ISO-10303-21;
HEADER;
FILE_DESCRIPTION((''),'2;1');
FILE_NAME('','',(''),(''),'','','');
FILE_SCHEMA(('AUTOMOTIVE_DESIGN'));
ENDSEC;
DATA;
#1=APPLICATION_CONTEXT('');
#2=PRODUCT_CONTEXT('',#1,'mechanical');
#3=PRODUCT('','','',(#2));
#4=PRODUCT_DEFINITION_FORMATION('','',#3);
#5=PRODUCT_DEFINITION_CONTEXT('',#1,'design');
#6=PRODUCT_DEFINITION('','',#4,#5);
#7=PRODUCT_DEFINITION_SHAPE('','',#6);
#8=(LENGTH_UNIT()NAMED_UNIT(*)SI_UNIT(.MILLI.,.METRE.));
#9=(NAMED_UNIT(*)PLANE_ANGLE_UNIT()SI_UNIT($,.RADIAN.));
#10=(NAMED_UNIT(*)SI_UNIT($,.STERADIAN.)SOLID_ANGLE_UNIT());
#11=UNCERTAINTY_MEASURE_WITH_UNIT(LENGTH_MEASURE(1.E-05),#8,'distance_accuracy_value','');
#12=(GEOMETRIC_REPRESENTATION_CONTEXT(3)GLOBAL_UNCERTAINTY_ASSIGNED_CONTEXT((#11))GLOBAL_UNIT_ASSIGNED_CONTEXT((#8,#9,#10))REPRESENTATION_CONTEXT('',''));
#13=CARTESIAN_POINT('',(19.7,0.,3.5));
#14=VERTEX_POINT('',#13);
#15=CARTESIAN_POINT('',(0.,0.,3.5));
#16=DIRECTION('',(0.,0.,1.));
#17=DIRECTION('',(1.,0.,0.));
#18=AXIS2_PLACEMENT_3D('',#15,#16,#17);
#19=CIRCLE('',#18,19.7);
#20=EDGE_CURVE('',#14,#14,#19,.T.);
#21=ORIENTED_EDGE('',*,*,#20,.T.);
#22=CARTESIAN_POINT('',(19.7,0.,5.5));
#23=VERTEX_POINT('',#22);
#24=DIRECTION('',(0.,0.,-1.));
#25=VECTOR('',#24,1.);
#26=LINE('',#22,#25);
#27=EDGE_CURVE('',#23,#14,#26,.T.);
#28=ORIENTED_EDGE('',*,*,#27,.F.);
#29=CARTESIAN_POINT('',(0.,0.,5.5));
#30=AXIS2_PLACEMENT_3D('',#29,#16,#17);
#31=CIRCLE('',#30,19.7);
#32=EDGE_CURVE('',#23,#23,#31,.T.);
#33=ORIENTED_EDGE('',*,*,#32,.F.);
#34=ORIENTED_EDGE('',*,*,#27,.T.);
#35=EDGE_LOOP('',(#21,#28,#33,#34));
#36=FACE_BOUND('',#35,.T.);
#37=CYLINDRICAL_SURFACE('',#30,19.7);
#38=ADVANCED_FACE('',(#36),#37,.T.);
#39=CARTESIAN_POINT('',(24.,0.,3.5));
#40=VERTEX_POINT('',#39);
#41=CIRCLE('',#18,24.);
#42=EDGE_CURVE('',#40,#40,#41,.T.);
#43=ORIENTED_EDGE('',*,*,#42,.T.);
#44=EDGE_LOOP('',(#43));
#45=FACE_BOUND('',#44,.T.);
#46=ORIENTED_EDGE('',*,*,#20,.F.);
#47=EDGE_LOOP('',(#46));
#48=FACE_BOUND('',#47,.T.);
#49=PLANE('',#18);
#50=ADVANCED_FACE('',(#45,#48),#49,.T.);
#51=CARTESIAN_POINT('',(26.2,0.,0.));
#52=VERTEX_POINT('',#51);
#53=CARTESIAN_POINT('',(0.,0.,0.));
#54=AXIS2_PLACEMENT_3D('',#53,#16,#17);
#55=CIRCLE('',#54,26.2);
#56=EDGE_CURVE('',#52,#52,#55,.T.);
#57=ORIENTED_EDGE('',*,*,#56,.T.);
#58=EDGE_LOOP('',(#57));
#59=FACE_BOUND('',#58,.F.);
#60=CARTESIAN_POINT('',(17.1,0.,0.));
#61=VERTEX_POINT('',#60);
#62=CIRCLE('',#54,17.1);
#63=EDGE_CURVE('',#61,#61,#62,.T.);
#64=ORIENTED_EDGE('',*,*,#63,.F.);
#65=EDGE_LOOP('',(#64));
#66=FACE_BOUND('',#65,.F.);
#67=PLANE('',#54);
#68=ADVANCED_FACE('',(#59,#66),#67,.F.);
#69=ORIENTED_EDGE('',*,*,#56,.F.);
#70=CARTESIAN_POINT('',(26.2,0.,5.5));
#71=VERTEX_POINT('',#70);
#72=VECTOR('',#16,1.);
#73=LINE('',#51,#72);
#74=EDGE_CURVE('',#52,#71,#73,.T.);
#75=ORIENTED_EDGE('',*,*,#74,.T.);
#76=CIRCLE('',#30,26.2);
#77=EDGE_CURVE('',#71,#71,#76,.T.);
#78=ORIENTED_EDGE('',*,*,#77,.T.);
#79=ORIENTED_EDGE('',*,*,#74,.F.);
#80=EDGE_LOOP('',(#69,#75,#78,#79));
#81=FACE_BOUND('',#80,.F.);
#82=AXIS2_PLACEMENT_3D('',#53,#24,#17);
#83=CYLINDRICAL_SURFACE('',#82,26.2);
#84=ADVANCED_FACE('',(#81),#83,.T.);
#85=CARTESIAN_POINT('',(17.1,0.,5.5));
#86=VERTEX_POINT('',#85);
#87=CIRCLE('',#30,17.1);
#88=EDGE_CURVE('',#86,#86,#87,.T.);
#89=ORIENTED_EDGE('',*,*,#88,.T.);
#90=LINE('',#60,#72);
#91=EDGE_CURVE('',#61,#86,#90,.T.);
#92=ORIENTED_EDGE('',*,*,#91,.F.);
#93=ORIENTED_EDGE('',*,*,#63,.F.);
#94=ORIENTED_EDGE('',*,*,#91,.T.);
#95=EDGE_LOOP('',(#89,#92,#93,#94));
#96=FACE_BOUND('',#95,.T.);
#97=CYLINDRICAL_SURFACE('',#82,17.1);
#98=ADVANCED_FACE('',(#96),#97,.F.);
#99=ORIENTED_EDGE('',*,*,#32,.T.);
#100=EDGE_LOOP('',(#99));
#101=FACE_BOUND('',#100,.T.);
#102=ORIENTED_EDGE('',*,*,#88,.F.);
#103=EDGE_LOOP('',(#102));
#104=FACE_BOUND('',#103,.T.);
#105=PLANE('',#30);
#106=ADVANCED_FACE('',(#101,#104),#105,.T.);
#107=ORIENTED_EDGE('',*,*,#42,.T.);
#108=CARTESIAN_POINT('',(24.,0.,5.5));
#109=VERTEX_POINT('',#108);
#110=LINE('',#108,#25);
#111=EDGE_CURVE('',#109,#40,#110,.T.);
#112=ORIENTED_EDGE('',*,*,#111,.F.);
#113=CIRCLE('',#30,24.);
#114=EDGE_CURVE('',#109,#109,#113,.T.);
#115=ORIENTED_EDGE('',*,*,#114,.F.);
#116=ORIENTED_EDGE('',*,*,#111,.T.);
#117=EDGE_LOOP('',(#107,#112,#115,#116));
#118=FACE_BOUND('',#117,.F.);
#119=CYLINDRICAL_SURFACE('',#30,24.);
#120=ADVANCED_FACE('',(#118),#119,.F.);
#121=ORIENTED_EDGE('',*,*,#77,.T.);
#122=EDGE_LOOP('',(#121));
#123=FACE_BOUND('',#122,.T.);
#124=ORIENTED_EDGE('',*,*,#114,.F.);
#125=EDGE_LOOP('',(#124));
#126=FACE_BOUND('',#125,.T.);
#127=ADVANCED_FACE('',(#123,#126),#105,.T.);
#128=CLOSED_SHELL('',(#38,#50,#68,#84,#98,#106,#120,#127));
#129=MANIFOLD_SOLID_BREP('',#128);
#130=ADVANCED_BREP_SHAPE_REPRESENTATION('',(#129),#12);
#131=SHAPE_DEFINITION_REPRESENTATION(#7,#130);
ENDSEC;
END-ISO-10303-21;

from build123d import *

# Parameters (mm, degrees)
SKETCH_R      = 26.2
SKETCH_R_2    = 17.1
PAD_DEPTH     = 5.5
SKETCH001_R   = 24
SKETCH001_R_2 = 19.7
POCKET_DEPTH  = 2


with BuildPart() as part:
    # Sketch → Pad (new body)
    with BuildSketch(Plane.XY):
        Circle(SKETCH_R)
        Circle(SKETCH_R_2, mode=Mode.SUBTRACT)
    extrude(amount=PAD_DEPTH)

    # Sketch001 → Pocket (cut)
    with BuildSketch(Plane.XY.offset(5.5)):
        Circle(SKETCH001_R)
        Circle(SKETCH001_R_2, mode=Mode.SUBTRACT)
    extrude(amount=-POCKET_DEPTH, mode=Mode.SUBTRACT)


solid = part.part
